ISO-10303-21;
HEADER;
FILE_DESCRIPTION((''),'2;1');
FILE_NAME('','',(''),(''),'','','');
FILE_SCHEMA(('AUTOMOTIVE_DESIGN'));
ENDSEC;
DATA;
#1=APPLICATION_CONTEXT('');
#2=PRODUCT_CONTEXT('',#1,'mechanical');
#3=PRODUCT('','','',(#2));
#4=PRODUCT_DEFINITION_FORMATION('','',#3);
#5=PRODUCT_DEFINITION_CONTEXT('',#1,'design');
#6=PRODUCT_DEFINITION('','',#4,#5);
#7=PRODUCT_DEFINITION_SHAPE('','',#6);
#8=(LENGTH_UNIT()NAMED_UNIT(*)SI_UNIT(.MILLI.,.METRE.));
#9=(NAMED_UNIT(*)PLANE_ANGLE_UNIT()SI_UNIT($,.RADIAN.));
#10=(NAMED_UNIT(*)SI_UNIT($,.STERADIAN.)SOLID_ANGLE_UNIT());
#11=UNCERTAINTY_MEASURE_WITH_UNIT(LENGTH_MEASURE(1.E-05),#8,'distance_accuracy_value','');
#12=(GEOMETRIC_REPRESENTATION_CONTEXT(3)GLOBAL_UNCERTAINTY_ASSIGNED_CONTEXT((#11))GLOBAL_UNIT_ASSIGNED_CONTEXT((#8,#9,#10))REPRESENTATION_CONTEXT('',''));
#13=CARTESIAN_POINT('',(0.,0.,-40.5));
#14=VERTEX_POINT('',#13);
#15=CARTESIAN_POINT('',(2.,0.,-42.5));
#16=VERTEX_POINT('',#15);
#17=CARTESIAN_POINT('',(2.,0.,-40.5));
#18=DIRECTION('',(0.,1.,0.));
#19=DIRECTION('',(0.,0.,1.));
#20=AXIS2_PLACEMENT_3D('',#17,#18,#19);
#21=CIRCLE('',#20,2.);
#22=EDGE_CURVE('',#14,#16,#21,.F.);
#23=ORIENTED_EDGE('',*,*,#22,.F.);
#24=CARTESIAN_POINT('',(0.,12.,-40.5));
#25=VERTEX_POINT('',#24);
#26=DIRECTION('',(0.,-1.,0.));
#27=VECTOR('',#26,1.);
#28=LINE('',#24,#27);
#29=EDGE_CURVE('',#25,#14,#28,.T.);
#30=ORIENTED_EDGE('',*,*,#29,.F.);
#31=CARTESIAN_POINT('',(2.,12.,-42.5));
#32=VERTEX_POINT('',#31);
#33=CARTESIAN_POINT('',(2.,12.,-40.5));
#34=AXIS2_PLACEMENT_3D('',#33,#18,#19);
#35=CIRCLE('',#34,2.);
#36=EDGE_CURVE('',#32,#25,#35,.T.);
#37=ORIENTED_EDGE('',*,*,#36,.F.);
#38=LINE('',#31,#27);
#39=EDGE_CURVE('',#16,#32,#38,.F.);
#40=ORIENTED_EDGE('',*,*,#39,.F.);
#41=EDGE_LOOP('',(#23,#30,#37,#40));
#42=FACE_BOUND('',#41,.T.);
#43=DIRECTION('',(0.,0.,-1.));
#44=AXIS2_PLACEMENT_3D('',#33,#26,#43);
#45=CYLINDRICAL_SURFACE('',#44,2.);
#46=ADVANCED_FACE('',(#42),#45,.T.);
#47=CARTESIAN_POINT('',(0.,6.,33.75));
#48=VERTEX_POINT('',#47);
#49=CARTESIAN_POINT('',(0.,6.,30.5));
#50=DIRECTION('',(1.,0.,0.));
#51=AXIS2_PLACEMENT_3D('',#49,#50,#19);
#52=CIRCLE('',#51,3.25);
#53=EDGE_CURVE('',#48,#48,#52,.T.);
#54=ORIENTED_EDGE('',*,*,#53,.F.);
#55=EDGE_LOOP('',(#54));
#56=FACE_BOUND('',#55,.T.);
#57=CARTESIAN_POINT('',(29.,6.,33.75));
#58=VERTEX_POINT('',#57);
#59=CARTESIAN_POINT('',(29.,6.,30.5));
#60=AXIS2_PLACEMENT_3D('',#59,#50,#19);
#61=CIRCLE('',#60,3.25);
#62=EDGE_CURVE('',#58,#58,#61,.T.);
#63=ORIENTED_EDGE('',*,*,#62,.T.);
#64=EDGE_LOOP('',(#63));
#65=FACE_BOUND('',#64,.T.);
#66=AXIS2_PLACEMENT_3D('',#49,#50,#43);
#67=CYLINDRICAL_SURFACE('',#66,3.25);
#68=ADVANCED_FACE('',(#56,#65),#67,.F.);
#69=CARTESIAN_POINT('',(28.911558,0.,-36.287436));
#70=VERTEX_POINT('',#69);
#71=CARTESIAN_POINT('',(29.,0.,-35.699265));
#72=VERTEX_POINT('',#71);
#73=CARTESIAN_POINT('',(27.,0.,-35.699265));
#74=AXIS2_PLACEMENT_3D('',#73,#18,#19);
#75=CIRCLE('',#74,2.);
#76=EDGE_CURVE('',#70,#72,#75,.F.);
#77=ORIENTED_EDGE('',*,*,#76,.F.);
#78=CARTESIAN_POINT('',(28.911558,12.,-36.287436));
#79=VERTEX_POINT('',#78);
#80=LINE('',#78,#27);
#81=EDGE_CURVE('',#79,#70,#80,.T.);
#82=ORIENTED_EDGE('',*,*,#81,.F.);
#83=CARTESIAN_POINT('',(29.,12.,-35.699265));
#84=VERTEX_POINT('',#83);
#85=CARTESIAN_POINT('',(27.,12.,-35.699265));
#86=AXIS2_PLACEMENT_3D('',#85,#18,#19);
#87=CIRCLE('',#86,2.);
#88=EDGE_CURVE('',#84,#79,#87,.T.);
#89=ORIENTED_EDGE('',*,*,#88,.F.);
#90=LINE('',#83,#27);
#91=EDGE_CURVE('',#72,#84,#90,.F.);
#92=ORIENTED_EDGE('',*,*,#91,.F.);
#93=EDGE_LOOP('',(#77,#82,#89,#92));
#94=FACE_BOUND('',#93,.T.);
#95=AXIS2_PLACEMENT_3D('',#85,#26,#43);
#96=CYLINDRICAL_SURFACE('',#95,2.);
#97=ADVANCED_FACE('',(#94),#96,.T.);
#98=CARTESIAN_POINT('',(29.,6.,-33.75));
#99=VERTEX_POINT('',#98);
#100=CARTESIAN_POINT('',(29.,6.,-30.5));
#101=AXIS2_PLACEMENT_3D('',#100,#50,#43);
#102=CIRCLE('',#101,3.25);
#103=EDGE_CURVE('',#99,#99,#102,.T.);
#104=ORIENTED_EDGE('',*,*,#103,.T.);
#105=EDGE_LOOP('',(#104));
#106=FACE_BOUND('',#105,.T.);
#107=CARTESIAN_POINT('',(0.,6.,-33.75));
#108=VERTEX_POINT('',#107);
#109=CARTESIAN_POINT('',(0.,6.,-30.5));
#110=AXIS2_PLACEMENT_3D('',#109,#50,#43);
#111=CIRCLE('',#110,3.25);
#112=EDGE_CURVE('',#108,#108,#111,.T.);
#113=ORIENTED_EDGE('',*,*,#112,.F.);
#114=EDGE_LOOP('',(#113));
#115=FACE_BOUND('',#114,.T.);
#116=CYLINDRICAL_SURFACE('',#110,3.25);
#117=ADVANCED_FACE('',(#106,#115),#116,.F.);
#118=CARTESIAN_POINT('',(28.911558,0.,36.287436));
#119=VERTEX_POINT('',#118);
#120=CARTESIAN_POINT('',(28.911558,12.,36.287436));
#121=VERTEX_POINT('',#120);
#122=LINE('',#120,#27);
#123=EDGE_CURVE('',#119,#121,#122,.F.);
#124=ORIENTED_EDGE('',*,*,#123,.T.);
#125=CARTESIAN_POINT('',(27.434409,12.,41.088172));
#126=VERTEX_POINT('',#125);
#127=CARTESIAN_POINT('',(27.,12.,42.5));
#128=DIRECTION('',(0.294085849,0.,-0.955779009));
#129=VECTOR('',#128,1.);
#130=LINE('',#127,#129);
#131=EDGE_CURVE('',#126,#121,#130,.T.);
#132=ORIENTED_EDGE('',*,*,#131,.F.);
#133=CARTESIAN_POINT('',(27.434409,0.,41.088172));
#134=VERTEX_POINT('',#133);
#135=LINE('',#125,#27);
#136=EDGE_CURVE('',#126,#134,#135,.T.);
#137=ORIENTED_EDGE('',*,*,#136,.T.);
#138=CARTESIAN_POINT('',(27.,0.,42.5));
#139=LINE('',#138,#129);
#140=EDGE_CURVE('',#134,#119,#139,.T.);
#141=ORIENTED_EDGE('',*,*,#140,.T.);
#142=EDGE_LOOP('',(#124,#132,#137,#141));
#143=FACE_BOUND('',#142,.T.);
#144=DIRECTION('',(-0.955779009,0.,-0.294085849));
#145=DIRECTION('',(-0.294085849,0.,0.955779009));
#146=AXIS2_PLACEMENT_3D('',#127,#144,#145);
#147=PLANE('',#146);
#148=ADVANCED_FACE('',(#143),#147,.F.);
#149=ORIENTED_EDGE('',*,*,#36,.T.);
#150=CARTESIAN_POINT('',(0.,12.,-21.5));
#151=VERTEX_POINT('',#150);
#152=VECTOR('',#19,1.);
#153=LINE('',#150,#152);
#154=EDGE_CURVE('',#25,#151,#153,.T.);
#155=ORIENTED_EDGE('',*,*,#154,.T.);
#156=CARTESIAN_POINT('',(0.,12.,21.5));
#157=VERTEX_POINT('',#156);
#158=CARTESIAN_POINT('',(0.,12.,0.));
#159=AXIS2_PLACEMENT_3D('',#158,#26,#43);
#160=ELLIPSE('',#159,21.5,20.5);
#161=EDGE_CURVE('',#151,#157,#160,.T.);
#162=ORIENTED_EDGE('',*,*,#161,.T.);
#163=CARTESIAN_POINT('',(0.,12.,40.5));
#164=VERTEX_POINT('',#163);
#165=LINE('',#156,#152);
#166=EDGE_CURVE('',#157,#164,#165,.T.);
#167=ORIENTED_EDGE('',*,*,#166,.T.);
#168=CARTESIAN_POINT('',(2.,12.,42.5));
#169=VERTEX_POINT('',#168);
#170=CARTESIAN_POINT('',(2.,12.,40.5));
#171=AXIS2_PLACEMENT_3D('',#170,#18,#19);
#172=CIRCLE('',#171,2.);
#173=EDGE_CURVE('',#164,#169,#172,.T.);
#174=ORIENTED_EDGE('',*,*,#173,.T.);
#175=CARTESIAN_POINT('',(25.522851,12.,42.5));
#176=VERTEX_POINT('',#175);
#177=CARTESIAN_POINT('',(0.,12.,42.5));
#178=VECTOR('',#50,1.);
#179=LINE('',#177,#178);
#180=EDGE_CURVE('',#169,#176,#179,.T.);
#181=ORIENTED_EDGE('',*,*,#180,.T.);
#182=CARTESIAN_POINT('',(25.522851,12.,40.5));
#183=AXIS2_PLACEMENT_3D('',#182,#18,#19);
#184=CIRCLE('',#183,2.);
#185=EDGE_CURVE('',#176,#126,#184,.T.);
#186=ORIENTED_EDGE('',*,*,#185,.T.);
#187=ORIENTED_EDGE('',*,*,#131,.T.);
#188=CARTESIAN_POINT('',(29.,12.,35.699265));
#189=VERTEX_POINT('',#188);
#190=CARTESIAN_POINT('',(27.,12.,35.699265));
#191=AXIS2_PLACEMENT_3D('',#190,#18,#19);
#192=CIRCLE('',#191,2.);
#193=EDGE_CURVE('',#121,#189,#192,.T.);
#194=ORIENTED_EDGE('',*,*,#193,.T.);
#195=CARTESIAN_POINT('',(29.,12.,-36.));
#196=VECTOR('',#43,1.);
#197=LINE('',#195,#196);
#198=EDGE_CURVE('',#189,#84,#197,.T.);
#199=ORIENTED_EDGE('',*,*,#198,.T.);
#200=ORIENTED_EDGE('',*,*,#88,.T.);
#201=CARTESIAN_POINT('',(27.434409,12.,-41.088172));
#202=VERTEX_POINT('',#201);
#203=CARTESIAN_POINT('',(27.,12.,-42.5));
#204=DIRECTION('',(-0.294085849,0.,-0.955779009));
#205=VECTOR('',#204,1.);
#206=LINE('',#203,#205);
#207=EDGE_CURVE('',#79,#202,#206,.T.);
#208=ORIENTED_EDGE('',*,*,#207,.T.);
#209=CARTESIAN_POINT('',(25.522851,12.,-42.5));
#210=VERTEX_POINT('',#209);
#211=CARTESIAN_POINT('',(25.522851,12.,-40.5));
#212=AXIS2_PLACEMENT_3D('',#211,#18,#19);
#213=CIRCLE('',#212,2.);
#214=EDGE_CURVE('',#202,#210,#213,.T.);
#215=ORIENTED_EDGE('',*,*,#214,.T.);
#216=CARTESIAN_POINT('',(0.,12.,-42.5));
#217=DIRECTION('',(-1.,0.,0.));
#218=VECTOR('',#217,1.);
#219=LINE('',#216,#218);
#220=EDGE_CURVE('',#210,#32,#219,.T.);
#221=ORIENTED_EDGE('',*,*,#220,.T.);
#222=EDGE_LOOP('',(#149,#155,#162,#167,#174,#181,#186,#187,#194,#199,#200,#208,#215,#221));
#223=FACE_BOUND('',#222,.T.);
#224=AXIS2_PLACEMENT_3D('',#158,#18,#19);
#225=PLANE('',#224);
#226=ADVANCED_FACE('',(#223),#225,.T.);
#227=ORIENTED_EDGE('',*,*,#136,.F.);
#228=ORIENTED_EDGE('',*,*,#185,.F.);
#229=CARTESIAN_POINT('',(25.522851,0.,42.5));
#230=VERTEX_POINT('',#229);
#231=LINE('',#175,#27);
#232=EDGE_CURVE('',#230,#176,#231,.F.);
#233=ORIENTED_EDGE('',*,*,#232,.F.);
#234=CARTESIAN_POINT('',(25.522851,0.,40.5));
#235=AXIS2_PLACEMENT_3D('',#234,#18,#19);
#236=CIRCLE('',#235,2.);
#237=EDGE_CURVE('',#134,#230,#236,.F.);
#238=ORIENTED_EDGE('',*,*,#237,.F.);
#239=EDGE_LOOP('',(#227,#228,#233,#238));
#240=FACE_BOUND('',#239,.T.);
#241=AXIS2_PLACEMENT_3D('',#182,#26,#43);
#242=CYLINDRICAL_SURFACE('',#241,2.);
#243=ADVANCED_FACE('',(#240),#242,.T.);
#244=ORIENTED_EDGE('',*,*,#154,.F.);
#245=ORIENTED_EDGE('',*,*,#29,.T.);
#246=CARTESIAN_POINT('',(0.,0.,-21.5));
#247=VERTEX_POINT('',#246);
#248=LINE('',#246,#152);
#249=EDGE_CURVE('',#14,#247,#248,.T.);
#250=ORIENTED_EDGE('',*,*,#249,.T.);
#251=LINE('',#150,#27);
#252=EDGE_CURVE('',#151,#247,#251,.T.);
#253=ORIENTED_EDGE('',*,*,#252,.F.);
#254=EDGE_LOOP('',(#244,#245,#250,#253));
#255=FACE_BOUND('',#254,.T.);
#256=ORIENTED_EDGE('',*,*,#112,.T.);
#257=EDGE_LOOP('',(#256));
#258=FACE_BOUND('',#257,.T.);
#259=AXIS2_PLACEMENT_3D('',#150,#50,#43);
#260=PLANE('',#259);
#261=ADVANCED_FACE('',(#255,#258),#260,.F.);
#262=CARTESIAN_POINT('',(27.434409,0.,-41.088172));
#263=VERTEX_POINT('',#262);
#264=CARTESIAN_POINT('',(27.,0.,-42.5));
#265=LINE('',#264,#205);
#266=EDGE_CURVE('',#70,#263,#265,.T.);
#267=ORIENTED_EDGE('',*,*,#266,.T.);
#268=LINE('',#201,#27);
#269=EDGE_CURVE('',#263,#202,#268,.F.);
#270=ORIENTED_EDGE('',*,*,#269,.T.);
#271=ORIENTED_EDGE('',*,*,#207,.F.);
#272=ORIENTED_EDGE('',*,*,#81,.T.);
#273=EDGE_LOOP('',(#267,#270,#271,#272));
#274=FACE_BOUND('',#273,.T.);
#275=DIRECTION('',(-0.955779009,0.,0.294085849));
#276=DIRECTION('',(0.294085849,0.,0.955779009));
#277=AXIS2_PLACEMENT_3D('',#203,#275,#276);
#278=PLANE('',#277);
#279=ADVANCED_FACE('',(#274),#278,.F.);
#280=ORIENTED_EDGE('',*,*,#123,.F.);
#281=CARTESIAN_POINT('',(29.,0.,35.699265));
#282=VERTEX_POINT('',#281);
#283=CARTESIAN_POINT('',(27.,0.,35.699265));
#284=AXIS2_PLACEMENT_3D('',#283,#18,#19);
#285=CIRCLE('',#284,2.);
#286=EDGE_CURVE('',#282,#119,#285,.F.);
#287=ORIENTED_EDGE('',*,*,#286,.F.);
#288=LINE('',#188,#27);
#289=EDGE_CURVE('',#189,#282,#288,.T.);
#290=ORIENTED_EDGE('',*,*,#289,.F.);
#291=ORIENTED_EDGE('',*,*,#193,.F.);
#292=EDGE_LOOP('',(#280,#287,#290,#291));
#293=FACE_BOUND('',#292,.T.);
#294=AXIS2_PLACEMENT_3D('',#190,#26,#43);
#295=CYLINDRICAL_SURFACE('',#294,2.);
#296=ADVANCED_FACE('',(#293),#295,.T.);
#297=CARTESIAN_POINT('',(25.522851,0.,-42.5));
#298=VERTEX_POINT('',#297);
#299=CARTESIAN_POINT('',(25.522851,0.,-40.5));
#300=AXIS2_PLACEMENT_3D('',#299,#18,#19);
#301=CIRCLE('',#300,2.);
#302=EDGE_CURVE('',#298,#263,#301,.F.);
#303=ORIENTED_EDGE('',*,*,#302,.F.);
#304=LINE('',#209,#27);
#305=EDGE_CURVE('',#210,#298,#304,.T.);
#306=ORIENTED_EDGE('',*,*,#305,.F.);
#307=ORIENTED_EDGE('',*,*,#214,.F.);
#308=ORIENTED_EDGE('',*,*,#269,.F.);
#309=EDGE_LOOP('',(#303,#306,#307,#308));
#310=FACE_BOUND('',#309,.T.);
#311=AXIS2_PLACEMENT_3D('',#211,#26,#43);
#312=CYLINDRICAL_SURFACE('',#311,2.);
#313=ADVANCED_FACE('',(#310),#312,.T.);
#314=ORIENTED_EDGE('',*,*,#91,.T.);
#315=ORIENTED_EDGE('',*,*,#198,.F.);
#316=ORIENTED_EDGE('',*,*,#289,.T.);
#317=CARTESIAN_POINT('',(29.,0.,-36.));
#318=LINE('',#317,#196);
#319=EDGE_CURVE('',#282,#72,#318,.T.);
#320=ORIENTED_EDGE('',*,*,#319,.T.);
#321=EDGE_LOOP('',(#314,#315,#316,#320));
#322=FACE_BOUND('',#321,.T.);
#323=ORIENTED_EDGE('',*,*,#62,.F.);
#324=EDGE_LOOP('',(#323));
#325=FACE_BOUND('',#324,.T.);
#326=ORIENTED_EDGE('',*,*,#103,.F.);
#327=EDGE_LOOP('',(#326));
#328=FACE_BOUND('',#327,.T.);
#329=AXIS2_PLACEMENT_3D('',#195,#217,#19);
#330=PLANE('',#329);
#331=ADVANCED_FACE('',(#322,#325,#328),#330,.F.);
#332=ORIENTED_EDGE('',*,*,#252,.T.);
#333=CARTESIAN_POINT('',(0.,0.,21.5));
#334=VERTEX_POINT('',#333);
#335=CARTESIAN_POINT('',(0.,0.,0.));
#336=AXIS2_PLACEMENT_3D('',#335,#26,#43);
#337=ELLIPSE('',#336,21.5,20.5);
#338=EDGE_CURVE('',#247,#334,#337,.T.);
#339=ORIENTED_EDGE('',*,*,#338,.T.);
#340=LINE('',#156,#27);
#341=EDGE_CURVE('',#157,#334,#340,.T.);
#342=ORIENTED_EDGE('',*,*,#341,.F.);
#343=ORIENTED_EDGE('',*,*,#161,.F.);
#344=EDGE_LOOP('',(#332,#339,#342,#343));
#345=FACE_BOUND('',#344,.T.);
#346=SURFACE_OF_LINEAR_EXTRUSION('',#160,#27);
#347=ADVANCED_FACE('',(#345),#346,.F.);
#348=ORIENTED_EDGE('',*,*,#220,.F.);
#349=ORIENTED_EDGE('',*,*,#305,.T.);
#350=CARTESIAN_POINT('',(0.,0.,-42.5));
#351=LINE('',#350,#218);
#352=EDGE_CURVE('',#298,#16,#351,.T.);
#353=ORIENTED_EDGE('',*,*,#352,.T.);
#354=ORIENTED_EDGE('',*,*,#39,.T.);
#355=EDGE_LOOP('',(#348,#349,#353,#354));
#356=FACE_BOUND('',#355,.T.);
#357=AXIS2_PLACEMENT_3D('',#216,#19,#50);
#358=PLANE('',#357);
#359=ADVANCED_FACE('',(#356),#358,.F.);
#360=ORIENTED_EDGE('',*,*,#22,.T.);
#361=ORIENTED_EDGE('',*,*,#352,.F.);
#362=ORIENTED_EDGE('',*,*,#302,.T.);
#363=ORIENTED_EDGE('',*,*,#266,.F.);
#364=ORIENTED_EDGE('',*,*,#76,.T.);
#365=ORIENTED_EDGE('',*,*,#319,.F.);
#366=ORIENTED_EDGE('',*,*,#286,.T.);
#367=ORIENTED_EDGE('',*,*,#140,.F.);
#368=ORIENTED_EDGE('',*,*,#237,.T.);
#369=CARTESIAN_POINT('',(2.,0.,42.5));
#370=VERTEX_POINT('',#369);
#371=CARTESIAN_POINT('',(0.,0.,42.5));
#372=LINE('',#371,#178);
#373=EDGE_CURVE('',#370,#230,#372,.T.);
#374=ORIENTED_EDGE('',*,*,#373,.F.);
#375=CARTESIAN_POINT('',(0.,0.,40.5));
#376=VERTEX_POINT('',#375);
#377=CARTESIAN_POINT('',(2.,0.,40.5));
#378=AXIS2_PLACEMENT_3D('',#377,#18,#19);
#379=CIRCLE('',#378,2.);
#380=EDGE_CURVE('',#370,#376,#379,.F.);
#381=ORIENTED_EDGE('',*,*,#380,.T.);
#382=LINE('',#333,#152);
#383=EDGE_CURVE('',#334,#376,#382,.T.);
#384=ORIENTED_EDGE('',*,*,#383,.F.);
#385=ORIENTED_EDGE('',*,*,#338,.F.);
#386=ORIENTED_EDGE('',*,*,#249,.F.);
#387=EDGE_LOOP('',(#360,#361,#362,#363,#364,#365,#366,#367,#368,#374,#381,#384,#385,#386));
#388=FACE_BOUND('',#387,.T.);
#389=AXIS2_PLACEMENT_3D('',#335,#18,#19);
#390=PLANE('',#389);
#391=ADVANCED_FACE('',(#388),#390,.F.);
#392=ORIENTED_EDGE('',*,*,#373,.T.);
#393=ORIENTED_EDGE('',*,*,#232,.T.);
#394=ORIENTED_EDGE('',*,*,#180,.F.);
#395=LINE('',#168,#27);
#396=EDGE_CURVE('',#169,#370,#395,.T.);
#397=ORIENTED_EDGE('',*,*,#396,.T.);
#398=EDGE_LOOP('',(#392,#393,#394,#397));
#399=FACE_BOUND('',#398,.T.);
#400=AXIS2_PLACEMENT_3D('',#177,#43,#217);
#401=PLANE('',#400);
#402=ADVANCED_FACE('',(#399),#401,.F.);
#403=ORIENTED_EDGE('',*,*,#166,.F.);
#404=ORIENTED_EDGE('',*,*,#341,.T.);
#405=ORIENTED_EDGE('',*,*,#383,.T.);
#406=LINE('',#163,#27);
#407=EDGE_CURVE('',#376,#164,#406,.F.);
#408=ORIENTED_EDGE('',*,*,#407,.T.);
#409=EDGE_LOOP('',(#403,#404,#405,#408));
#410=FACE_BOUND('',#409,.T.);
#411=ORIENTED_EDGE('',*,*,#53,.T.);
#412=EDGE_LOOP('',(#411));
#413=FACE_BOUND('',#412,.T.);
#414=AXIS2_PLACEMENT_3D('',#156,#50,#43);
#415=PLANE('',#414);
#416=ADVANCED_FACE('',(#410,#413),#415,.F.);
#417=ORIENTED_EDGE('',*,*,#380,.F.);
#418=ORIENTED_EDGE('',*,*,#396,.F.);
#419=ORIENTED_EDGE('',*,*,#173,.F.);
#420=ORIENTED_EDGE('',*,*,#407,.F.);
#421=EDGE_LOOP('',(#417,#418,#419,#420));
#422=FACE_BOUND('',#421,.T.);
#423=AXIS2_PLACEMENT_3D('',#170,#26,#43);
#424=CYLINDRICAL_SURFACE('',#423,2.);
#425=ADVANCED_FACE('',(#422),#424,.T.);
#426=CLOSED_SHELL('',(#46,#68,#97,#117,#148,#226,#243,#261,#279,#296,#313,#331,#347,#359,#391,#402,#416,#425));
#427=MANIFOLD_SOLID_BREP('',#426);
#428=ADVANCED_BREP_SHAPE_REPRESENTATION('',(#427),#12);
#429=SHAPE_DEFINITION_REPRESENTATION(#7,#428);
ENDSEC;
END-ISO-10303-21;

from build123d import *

# Parameters (mm, degrees)
EXTRUDE_1_DEPTH     = 12
FILLET_1_R          = 2
FILLET_2_R          = 2
SKETCH_2_R          = 3.25
CUT_EXTRUDE_1_DEPTH = 53.832281956


with BuildPart() as part:
    # 草圖1 → 填料-伸長1 (new body)
    with BuildSketch(Plane(origin=(0, 0, 0), x_dir=(1, 0, 0), z_dir=(0, 1, 0))):
        with BuildLine():
            Line((0, 21.5), (0, 42.5))
            Line((0, 42.5), (27, 42.5))
            Line((27, 42.5), (29, 36))
            Line((29, 36), (29, -36))
            Line((29, -36), (27, -42.5))
            Line((27, -42.5), (0, -42.5))
            Line((0, -42.5), (0, -21.5))
            add(Edge.make_bspline(
                [(0, -21.5), (20.5, -21.5), (20.5, 0), (20.5, 21.5), (0, 21.5)],
                knots=[3.141592654, 3.141592654, 3.141592654, 4.71238898, 4.71238898, 6.283185307, 6.283185307, 6.283185307], degree=2, weights=[1, 0.707106781, 1, 0.707106781, 1]))
        make_face()
    extrude(amount=EXTRUDE_1_DEPTH)

    # 圓角1
    fillet_1_edges = [part.edges().sort_by_distance(p)[0] for p in [
        (29, 6, 36),
        (27, 6, 42.5),
    ]]
    fillet(fillet_1_edges, radius=FILLET_1_R)

    # 圓角2
    fillet_2_edges = [part.edges().sort_by_distance(p)[0] for p in [
        (0, 6, -42.5),
        (27, 6, -42.5),
        (29, 6, -36),
        (0, 6, 42.5),
    ]]
    fillet(fillet_2_edges, radius=FILLET_2_R)

    # 草圖2 → 除料-伸長1 (cut, through all)
    with BuildSketch(Plane(origin=(29, 0, 0), x_dir=(0, 0, -1), z_dir=(1, 0, 0))):
        with Locations((30.5, 6)):
            Circle(SKETCH_2_R)
        with Locations(Location((-30.5, 6, 0), (0, 0, 180))):
            Circle(SKETCH_2_R)
    extrude(amount=-CUT_EXTRUDE_1_DEPTH, mode=Mode.SUBTRACT)


solid = part.part
